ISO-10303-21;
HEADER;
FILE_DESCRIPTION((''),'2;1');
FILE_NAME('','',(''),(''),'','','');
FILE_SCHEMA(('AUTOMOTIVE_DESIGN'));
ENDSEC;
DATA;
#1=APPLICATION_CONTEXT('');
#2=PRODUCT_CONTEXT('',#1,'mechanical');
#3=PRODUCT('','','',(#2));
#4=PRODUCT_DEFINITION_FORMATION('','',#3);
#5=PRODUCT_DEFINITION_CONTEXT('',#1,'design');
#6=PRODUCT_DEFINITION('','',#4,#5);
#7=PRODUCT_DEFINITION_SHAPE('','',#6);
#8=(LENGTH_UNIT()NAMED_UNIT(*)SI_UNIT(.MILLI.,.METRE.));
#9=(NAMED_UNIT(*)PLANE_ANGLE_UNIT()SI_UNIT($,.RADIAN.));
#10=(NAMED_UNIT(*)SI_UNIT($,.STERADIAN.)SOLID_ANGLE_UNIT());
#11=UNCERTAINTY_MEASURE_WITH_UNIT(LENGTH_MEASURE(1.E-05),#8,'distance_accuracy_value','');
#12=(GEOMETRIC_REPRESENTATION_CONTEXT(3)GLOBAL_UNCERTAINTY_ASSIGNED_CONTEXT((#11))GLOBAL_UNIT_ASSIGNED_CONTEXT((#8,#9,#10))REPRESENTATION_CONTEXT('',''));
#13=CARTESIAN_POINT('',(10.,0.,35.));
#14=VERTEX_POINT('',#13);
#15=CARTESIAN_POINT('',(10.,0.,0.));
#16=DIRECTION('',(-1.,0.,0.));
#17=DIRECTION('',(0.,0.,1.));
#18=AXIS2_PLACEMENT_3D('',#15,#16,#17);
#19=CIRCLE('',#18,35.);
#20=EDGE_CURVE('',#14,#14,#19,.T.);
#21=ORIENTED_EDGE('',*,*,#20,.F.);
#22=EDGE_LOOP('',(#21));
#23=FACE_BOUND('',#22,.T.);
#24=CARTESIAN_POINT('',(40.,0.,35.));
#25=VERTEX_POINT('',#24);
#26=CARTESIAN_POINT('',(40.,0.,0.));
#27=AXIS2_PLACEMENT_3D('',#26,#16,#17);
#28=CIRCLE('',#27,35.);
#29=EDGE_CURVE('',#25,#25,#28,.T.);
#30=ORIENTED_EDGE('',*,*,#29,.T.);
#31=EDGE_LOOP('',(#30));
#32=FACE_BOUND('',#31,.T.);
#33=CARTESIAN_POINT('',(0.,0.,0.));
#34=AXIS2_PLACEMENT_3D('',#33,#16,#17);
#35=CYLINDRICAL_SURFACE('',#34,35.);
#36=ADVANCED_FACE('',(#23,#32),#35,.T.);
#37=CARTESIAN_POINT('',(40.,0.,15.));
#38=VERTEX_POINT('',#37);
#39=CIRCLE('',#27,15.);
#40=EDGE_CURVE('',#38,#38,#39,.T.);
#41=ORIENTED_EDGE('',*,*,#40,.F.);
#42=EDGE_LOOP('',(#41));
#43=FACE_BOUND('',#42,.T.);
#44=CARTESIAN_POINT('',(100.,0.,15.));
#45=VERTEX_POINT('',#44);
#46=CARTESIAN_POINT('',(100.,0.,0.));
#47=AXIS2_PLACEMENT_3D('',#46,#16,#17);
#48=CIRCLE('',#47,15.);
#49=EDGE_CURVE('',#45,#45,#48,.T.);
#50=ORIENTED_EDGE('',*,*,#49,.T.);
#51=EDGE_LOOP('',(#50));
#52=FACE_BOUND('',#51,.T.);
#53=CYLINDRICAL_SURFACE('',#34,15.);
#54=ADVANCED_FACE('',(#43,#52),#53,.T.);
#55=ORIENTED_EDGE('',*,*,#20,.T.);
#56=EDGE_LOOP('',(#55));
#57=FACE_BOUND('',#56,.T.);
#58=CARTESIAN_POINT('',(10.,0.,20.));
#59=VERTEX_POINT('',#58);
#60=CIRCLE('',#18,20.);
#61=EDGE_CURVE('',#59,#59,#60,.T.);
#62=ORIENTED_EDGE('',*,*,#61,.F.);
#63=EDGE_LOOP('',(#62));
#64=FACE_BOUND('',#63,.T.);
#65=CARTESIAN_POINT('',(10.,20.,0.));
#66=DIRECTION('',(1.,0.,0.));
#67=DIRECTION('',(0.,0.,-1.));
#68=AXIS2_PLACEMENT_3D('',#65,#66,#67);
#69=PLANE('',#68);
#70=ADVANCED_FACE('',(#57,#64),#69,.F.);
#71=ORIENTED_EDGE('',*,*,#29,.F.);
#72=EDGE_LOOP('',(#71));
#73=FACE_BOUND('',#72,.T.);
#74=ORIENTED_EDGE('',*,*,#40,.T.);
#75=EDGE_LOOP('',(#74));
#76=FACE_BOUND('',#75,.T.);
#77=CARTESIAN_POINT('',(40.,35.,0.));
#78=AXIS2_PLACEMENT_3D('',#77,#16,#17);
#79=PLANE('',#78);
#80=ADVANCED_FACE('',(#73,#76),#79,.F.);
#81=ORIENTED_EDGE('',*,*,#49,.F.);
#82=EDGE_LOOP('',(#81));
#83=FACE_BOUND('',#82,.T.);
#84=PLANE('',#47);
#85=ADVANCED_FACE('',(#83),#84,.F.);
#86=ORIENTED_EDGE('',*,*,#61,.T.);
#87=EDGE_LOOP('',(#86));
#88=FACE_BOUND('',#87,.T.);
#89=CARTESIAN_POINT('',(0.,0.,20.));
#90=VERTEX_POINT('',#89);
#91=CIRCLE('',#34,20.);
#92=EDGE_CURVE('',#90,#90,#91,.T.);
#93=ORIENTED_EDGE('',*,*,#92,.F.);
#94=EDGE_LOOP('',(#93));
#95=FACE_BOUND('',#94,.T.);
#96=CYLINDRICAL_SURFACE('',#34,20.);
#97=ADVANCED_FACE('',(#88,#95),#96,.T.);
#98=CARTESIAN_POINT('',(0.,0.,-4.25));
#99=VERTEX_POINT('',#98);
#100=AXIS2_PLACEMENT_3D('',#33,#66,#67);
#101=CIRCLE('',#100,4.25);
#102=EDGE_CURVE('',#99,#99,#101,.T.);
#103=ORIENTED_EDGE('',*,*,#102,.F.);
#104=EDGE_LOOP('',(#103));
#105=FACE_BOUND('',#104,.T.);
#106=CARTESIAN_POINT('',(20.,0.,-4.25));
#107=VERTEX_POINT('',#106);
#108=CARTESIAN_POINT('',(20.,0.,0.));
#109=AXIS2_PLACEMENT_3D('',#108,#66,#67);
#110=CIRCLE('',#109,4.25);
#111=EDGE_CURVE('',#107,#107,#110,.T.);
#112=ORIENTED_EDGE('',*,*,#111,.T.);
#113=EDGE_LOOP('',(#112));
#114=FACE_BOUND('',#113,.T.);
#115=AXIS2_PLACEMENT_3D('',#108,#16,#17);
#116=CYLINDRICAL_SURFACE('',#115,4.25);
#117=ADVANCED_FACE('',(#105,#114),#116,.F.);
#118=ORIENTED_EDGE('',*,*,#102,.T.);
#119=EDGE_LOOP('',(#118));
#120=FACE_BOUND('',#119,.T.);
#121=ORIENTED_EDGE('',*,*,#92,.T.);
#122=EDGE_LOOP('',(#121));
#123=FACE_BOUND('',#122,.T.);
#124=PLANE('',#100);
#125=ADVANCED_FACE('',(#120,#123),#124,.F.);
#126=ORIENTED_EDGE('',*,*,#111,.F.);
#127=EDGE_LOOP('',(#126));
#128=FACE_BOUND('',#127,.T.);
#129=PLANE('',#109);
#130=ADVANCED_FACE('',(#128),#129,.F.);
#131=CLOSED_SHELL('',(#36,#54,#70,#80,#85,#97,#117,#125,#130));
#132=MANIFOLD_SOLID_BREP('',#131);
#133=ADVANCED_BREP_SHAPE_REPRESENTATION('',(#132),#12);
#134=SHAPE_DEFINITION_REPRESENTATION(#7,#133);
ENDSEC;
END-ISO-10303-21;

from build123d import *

# Parameters (mm, degrees)
SKETCH_2_R          = 4.25
CUT_EXTRUDE_1_DEPTH = 20


with BuildPart() as part:
    # Эскиз1 → Повернуть1 (revolve)
    with BuildSketch(Plane.XY, mode=Mode.PRIVATE) as revolve_1_sk:
        Polygon((0, 0), (100, 0), (100, 15), (40, 15), (40, 35), (10, 35), (10, 20), (0, 20), align=None)
    revolve(revolve_1_sk.sketch.rotate(Axis((0, 0, 0), (1, 0, 0)), 90), axis=Axis((0, 0, 0), (1, 0, 0)))

    # Эскиз2 → Вырез-Вытянуть1 (cut)
    with BuildSketch(Plane(origin=(0, 0, 0), x_dir=(0, 0, -1), z_dir=(1, 0, 0))):
        Circle(SKETCH_2_R)
    extrude(amount=CUT_EXTRUDE_1_DEPTH, mode=Mode.SUBTRACT)


solid = part.part
